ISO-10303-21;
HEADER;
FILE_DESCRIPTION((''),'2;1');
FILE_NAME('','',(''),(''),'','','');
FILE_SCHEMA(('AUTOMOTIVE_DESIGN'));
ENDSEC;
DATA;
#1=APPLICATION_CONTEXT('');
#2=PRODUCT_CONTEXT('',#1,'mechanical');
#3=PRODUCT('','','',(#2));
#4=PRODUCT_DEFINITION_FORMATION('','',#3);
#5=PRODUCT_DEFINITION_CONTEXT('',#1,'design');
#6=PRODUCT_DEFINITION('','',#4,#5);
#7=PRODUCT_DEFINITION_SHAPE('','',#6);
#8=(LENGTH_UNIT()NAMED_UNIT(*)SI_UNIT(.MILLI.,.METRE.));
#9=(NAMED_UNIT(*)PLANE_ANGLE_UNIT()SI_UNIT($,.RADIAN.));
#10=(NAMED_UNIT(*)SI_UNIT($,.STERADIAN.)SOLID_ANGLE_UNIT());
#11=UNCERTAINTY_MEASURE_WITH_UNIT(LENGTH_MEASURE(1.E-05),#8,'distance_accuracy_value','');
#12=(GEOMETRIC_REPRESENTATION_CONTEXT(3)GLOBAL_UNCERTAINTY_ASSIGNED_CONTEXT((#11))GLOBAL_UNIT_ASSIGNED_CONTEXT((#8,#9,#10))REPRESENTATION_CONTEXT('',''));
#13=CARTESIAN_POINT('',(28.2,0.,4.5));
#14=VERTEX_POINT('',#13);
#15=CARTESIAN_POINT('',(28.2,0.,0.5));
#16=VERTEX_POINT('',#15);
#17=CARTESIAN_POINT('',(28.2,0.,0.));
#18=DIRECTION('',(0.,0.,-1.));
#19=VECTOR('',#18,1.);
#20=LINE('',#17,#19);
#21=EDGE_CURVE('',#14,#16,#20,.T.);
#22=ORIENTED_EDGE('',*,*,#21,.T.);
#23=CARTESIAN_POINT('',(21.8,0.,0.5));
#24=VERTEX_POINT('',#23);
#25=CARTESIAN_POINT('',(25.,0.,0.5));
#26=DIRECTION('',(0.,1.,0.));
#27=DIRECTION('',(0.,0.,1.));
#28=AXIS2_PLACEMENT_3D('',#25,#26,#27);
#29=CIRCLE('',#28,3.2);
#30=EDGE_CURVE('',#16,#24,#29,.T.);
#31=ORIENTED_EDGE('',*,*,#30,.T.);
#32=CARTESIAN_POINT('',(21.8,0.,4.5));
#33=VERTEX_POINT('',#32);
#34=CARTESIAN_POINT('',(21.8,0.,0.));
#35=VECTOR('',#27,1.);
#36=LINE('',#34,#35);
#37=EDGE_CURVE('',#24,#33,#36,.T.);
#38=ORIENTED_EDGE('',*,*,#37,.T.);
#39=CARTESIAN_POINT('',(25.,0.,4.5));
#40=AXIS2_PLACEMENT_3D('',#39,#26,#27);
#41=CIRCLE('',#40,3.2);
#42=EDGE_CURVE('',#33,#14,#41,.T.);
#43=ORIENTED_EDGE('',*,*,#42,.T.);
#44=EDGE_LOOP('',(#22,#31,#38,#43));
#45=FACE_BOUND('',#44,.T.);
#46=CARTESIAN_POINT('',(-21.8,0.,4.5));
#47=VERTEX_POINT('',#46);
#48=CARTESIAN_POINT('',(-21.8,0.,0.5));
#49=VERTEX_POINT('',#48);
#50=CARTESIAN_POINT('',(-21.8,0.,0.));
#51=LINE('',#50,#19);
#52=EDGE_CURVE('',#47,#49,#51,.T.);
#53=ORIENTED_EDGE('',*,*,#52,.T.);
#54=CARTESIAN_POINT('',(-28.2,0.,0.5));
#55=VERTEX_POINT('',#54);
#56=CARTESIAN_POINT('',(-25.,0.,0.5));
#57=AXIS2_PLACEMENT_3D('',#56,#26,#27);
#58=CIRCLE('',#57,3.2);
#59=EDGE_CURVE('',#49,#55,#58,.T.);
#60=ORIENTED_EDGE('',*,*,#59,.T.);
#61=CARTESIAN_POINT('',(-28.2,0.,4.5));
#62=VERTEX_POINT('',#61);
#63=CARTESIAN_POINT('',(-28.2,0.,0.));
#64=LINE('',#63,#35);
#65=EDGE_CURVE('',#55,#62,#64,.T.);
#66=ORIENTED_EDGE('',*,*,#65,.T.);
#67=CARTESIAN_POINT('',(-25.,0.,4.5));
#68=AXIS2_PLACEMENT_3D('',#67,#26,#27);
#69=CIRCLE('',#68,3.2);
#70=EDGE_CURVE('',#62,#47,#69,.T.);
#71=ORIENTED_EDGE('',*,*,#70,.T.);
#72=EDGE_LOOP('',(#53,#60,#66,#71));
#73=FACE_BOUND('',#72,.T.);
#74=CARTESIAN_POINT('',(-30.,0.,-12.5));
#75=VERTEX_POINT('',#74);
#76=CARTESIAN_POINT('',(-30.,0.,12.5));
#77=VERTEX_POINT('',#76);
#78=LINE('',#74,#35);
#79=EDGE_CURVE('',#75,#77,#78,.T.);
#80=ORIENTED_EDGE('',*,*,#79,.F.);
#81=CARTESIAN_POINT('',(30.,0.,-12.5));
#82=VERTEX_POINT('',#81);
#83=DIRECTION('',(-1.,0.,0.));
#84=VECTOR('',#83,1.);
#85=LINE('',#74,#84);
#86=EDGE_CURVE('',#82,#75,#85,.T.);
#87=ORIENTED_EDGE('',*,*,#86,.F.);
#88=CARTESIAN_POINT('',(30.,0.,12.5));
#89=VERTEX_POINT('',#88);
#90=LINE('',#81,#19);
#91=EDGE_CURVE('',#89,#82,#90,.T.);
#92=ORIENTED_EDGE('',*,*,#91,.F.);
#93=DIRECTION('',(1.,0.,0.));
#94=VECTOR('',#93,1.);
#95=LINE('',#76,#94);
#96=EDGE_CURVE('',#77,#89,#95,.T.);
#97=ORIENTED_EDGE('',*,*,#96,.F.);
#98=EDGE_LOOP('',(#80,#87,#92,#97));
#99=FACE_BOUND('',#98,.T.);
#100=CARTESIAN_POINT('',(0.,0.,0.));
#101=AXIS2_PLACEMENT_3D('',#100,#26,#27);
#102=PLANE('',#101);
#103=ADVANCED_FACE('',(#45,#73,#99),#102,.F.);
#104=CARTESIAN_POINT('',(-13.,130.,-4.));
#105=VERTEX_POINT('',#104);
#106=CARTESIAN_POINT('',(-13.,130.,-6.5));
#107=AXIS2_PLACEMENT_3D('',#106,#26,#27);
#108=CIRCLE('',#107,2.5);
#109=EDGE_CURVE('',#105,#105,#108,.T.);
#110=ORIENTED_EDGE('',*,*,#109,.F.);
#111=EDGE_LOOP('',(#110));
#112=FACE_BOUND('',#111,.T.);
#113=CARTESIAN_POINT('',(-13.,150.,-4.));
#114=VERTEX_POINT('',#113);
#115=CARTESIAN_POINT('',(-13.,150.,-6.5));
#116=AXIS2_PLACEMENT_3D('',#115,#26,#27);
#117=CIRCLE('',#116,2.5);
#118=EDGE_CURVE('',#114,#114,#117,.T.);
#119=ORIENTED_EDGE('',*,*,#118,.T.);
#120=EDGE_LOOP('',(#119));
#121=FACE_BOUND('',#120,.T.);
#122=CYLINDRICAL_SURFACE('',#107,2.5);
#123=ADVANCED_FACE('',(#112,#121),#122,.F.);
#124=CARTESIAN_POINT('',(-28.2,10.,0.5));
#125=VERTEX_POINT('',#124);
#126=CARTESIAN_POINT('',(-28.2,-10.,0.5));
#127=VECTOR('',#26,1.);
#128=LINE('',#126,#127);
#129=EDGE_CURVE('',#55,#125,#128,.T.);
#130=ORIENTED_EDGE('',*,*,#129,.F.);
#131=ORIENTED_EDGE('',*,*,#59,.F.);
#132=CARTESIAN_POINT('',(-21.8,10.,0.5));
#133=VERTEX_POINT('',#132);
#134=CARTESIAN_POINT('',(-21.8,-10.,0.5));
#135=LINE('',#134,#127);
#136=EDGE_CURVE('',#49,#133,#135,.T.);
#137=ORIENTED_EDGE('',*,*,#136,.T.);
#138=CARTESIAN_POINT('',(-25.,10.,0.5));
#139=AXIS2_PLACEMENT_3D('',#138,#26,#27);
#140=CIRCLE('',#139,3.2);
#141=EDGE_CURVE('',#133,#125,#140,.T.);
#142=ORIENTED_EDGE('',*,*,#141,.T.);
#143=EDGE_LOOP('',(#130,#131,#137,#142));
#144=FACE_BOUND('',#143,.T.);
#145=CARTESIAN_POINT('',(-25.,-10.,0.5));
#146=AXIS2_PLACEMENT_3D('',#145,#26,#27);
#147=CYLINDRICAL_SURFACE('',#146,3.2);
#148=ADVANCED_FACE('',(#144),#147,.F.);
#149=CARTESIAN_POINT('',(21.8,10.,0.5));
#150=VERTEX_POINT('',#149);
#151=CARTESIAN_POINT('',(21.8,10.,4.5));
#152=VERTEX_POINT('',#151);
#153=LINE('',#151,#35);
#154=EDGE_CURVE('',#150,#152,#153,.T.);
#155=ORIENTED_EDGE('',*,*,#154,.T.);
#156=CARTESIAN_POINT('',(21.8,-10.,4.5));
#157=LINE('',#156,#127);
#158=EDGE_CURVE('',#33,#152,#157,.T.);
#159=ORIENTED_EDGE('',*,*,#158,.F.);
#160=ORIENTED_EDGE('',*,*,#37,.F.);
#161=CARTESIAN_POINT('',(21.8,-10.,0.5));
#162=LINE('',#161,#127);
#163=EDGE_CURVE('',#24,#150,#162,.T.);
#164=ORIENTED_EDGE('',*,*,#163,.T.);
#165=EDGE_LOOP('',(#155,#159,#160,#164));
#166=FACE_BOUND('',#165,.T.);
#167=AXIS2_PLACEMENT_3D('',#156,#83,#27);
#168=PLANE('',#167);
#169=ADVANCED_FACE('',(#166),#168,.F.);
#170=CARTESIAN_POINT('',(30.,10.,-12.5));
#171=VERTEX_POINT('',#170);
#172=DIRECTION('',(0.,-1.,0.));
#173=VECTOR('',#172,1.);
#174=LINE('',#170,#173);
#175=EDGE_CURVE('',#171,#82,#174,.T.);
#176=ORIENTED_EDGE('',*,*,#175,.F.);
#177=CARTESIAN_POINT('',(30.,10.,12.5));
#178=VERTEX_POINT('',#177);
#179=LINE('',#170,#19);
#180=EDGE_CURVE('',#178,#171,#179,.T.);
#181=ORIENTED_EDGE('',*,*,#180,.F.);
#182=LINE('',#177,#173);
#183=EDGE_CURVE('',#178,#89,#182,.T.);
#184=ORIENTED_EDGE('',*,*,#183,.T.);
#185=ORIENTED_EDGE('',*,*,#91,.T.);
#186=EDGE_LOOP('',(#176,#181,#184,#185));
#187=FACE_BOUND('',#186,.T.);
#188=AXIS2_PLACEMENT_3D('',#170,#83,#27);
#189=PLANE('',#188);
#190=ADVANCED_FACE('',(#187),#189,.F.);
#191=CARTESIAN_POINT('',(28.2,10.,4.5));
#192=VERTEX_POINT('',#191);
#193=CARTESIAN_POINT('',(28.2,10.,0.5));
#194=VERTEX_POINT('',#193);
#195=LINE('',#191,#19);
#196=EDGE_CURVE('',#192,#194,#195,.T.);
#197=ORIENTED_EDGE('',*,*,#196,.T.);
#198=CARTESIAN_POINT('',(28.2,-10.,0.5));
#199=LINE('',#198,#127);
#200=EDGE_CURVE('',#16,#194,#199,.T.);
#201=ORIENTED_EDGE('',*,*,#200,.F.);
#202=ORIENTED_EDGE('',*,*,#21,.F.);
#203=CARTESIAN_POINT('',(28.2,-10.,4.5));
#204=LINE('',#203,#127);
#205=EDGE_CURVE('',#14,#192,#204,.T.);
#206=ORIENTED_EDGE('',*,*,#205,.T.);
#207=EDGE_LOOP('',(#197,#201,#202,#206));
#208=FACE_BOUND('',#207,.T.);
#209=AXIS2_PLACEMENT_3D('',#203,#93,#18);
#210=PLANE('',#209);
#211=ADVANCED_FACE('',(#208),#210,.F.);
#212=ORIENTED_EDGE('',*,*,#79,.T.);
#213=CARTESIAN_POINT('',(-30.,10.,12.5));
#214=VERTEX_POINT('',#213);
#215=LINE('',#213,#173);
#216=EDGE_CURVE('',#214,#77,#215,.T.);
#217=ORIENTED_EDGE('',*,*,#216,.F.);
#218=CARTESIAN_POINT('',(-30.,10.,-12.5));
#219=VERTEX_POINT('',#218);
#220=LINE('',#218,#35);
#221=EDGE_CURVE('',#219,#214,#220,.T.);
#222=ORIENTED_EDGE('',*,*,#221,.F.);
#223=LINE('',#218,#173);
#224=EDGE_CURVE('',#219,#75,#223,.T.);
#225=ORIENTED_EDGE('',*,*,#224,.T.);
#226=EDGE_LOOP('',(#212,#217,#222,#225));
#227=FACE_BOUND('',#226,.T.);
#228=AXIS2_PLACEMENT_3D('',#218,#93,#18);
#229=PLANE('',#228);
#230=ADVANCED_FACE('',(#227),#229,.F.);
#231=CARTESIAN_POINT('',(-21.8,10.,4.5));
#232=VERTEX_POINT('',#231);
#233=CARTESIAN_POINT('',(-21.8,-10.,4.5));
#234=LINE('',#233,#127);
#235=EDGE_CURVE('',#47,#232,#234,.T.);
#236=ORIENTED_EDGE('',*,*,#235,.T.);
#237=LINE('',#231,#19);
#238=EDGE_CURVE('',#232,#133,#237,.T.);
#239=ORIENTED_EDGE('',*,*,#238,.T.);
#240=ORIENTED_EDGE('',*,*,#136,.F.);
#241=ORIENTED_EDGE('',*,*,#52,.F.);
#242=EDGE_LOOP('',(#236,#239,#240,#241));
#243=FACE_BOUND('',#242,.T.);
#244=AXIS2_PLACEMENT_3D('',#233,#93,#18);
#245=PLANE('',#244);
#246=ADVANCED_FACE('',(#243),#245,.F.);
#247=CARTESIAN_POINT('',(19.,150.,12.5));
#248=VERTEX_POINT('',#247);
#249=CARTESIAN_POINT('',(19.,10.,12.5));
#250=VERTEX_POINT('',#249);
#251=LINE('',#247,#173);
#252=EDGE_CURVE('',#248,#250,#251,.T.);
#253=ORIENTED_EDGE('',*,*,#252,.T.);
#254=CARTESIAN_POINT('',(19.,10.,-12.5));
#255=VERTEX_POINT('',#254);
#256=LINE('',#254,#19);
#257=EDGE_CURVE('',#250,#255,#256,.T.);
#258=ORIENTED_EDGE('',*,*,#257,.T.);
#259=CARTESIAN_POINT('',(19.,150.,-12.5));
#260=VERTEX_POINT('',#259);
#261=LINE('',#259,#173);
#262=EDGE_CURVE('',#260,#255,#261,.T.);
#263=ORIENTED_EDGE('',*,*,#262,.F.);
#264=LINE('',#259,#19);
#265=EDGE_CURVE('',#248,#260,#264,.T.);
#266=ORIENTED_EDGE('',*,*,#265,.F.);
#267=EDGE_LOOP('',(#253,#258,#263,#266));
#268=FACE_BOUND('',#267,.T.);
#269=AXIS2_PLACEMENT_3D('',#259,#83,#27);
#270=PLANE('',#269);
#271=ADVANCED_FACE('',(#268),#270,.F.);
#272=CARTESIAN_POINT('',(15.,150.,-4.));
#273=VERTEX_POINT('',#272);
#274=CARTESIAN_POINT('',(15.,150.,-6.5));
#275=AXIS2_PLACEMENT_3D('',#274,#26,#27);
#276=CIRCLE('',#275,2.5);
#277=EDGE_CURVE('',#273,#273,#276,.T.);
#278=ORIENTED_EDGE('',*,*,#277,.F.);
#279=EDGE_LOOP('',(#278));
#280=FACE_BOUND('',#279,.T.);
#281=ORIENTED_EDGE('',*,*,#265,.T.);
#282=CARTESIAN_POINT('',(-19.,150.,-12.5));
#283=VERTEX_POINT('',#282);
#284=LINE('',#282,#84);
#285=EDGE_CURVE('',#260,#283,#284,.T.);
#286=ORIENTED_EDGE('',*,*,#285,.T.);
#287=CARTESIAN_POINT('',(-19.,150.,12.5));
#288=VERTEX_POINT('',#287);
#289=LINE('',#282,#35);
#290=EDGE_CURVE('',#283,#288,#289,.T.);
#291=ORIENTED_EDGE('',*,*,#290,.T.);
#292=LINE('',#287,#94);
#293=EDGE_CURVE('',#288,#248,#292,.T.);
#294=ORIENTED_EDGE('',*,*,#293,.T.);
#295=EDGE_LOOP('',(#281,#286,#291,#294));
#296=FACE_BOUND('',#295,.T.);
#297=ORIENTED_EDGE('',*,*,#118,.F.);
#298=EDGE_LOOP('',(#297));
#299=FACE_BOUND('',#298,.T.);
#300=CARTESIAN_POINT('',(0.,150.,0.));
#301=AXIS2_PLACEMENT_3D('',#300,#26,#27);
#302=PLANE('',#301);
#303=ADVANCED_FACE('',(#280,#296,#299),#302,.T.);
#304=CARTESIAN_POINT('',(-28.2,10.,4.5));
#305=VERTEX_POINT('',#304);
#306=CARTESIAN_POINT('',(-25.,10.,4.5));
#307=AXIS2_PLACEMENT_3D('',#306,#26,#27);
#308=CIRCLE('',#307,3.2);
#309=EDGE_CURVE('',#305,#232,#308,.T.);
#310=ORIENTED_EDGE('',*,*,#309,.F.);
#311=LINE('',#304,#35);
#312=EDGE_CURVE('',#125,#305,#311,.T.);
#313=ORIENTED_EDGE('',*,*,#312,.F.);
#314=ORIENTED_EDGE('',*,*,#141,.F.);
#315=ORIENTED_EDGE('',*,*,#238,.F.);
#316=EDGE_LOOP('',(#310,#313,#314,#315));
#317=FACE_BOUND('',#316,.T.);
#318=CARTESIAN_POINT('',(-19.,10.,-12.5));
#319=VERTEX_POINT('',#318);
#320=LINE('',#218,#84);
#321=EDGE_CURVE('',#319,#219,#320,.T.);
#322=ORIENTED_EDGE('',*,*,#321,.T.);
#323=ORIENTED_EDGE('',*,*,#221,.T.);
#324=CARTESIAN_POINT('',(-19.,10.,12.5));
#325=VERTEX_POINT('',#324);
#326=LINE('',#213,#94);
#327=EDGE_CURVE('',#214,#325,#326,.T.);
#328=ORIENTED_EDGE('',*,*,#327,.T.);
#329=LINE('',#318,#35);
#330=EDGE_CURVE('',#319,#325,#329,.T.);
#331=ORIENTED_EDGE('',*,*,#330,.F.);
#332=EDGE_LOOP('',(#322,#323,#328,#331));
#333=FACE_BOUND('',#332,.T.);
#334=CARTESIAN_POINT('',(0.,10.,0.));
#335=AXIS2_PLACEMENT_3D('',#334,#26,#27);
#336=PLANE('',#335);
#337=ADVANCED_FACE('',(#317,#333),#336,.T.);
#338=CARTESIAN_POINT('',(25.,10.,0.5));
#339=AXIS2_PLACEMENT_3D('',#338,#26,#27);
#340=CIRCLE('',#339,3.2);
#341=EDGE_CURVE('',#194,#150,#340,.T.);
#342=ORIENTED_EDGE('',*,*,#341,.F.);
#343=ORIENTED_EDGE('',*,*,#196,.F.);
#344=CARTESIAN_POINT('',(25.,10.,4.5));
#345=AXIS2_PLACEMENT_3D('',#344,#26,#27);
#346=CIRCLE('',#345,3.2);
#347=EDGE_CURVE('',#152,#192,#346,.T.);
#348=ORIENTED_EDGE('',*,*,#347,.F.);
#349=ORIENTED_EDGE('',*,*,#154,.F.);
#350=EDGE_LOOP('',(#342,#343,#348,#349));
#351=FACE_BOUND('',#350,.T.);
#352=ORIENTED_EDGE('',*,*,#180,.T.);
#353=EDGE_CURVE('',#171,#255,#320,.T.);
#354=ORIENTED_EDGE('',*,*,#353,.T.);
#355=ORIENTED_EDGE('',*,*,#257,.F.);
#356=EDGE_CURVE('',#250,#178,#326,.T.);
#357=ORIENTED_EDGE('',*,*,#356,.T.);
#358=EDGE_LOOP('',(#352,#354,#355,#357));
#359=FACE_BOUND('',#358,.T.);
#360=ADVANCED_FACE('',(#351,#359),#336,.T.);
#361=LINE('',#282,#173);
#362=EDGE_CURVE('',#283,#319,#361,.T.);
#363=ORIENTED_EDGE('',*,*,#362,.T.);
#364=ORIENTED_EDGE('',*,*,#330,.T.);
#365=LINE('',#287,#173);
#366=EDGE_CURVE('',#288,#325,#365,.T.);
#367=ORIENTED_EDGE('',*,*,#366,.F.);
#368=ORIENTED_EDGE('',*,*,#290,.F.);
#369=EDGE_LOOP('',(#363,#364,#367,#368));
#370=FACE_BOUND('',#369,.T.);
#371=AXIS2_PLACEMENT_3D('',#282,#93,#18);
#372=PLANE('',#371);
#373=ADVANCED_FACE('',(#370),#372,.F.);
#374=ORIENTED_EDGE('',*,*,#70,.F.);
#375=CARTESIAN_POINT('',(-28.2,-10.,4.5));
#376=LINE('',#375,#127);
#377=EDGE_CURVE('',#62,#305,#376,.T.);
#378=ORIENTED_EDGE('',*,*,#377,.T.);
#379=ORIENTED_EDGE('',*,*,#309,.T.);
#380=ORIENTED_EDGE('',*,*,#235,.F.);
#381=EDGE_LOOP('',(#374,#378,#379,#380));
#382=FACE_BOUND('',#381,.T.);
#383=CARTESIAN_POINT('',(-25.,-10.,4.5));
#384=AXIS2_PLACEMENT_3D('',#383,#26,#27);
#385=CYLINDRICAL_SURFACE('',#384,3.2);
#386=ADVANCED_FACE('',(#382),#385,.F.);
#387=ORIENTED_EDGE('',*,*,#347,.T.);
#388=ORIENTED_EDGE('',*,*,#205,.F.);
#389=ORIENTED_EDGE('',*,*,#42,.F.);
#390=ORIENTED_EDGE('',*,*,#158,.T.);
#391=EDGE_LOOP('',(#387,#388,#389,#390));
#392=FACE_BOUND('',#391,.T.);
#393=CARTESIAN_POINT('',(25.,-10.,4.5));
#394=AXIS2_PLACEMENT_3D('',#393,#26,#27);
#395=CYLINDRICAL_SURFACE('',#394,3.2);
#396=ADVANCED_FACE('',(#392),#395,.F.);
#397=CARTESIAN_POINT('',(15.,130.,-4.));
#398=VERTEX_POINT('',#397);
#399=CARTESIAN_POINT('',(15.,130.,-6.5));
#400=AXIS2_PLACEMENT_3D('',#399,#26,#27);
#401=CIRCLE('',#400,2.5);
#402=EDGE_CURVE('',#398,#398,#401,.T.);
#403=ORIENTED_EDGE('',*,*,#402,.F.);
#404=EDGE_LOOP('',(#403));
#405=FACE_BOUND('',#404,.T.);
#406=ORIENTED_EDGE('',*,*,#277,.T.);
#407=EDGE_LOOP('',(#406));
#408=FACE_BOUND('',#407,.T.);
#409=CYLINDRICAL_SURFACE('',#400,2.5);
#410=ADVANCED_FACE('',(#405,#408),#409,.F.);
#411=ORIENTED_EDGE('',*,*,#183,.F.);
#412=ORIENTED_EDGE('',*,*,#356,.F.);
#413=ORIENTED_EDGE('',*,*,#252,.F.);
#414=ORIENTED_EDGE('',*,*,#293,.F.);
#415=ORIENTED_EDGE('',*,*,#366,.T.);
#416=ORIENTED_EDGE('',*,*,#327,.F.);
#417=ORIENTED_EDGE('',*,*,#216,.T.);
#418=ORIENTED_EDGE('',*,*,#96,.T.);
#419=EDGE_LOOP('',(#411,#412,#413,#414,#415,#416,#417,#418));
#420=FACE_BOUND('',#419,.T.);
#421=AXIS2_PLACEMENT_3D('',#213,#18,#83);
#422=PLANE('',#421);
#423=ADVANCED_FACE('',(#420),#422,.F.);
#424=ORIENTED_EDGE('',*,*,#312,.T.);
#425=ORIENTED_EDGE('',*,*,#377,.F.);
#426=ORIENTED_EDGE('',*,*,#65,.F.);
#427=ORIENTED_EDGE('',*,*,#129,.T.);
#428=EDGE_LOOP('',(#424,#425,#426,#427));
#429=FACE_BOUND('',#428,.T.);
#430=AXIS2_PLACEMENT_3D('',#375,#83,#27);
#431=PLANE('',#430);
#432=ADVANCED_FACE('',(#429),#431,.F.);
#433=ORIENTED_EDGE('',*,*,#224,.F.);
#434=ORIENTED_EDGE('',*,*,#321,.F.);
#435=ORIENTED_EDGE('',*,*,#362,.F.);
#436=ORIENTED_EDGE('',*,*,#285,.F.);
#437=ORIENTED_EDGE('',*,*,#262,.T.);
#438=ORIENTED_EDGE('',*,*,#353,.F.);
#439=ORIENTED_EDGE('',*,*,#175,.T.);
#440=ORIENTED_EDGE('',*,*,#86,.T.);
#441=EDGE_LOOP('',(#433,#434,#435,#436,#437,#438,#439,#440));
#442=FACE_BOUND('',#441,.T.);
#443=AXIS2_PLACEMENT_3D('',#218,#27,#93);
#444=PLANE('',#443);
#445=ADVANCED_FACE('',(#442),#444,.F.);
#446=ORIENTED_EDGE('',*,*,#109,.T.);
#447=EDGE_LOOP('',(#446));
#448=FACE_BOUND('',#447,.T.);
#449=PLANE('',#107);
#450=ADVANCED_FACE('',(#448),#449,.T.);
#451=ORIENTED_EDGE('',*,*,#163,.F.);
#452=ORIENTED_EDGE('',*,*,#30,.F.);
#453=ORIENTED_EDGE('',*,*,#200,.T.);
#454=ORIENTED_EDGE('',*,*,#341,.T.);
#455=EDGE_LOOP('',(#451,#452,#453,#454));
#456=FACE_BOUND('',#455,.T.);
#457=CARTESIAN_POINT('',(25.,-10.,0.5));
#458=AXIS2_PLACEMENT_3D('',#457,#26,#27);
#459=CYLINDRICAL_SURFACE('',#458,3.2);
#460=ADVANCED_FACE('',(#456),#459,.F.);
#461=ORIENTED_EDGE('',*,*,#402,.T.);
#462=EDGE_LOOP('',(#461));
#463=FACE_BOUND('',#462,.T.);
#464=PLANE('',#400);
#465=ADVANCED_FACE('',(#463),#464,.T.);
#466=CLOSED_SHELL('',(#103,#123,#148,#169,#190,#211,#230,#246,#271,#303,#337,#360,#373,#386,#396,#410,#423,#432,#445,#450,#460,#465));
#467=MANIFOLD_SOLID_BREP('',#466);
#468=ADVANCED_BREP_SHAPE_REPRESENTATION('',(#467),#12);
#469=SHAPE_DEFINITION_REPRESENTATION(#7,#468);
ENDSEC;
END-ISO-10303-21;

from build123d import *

# Parameters (mm, degrees)
ESBO_O1_W                = 60
ESBO_O1_H                = 25
RESSALTO_EXTRUS_O1_DEPTH = 10
ESBO_O7_W                = 38
ESBO_O7_H                = 25
RESSALTO_EXTRUS_O3_DEPTH = 140
ESBO_O8_R                = 2.5
CORTE_EXTRUS_O4_DEPTH    = 20
CORTE_EXTRUS_O5_DEPTH    = 20


with BuildPart() as part:
    # Esboço1 → Ressalto-extrusão1 (new body)
    with BuildSketch(Plane(origin=(0, 0, 0), x_dir=(1, 0, 0), z_dir=(0, 1, 0))):
        Rectangle(ESBO_O1_W, ESBO_O1_H)
    extrude(amount=RESSALTO_EXTRUS_O1_DEPTH)

    # Esboço7 → Ressalto-extrusão3 (add)
    with BuildSketch(Plane(origin=(0, 10, 0), x_dir=(1, 0, 0), z_dir=(0, 1, 0))):
        Rectangle(ESBO_O7_W, ESBO_O7_H)
    extrude(amount=RESSALTO_EXTRUS_O3_DEPTH)

    # Esboço8 → Corte-extrusão4 (cut)
    with BuildSketch(Plane(origin=(0, 150, 0), x_dir=(1, 0, 0), z_dir=(0, 1, 0))):
        with Locations((-13, 6.5)):
            Circle(ESBO_O8_R)
        with Locations((15, 6.5)):
            Circle(ESBO_O8_R)
    extrude(amount=-CORTE_EXTRUS_O4_DEPTH, mode=Mode.SUBTRACT)

    # Esboço9 → Corte-extrusão5 (cut)
    with BuildSketch(Plane(origin=(0, 10, 0), x_dir=(1, 0, 0), z_dir=(0, 1, 0))):
        with BuildLine():
            Line((-28.2, -4.5), (-28.2, -0.5))
            ThreePointArc((-28.2, -0.5), (-25, 2.7), (-21.8, -0.5))
            Line((-21.8, -0.5), (-21.8, -4.5))
            ThreePointArc((-21.8, -4.5), (-25, -7.7), (-28.2, -4.5))
        make_face()
        with BuildLine():
            Line((21.8, -4.5), (21.8, -0.5))
            ThreePointArc((21.8, -0.5), (25, 2.7), (28.2, -0.5))
            Line((28.2, -0.5), (28.2, -4.5))
            ThreePointArc((28.2, -4.5), (25, -7.7), (21.8, -4.5))
        make_face()
    extrude(amount=-CORTE_EXTRUS_O5_DEPTH, mode=Mode.SUBTRACT)


solid = part.part
